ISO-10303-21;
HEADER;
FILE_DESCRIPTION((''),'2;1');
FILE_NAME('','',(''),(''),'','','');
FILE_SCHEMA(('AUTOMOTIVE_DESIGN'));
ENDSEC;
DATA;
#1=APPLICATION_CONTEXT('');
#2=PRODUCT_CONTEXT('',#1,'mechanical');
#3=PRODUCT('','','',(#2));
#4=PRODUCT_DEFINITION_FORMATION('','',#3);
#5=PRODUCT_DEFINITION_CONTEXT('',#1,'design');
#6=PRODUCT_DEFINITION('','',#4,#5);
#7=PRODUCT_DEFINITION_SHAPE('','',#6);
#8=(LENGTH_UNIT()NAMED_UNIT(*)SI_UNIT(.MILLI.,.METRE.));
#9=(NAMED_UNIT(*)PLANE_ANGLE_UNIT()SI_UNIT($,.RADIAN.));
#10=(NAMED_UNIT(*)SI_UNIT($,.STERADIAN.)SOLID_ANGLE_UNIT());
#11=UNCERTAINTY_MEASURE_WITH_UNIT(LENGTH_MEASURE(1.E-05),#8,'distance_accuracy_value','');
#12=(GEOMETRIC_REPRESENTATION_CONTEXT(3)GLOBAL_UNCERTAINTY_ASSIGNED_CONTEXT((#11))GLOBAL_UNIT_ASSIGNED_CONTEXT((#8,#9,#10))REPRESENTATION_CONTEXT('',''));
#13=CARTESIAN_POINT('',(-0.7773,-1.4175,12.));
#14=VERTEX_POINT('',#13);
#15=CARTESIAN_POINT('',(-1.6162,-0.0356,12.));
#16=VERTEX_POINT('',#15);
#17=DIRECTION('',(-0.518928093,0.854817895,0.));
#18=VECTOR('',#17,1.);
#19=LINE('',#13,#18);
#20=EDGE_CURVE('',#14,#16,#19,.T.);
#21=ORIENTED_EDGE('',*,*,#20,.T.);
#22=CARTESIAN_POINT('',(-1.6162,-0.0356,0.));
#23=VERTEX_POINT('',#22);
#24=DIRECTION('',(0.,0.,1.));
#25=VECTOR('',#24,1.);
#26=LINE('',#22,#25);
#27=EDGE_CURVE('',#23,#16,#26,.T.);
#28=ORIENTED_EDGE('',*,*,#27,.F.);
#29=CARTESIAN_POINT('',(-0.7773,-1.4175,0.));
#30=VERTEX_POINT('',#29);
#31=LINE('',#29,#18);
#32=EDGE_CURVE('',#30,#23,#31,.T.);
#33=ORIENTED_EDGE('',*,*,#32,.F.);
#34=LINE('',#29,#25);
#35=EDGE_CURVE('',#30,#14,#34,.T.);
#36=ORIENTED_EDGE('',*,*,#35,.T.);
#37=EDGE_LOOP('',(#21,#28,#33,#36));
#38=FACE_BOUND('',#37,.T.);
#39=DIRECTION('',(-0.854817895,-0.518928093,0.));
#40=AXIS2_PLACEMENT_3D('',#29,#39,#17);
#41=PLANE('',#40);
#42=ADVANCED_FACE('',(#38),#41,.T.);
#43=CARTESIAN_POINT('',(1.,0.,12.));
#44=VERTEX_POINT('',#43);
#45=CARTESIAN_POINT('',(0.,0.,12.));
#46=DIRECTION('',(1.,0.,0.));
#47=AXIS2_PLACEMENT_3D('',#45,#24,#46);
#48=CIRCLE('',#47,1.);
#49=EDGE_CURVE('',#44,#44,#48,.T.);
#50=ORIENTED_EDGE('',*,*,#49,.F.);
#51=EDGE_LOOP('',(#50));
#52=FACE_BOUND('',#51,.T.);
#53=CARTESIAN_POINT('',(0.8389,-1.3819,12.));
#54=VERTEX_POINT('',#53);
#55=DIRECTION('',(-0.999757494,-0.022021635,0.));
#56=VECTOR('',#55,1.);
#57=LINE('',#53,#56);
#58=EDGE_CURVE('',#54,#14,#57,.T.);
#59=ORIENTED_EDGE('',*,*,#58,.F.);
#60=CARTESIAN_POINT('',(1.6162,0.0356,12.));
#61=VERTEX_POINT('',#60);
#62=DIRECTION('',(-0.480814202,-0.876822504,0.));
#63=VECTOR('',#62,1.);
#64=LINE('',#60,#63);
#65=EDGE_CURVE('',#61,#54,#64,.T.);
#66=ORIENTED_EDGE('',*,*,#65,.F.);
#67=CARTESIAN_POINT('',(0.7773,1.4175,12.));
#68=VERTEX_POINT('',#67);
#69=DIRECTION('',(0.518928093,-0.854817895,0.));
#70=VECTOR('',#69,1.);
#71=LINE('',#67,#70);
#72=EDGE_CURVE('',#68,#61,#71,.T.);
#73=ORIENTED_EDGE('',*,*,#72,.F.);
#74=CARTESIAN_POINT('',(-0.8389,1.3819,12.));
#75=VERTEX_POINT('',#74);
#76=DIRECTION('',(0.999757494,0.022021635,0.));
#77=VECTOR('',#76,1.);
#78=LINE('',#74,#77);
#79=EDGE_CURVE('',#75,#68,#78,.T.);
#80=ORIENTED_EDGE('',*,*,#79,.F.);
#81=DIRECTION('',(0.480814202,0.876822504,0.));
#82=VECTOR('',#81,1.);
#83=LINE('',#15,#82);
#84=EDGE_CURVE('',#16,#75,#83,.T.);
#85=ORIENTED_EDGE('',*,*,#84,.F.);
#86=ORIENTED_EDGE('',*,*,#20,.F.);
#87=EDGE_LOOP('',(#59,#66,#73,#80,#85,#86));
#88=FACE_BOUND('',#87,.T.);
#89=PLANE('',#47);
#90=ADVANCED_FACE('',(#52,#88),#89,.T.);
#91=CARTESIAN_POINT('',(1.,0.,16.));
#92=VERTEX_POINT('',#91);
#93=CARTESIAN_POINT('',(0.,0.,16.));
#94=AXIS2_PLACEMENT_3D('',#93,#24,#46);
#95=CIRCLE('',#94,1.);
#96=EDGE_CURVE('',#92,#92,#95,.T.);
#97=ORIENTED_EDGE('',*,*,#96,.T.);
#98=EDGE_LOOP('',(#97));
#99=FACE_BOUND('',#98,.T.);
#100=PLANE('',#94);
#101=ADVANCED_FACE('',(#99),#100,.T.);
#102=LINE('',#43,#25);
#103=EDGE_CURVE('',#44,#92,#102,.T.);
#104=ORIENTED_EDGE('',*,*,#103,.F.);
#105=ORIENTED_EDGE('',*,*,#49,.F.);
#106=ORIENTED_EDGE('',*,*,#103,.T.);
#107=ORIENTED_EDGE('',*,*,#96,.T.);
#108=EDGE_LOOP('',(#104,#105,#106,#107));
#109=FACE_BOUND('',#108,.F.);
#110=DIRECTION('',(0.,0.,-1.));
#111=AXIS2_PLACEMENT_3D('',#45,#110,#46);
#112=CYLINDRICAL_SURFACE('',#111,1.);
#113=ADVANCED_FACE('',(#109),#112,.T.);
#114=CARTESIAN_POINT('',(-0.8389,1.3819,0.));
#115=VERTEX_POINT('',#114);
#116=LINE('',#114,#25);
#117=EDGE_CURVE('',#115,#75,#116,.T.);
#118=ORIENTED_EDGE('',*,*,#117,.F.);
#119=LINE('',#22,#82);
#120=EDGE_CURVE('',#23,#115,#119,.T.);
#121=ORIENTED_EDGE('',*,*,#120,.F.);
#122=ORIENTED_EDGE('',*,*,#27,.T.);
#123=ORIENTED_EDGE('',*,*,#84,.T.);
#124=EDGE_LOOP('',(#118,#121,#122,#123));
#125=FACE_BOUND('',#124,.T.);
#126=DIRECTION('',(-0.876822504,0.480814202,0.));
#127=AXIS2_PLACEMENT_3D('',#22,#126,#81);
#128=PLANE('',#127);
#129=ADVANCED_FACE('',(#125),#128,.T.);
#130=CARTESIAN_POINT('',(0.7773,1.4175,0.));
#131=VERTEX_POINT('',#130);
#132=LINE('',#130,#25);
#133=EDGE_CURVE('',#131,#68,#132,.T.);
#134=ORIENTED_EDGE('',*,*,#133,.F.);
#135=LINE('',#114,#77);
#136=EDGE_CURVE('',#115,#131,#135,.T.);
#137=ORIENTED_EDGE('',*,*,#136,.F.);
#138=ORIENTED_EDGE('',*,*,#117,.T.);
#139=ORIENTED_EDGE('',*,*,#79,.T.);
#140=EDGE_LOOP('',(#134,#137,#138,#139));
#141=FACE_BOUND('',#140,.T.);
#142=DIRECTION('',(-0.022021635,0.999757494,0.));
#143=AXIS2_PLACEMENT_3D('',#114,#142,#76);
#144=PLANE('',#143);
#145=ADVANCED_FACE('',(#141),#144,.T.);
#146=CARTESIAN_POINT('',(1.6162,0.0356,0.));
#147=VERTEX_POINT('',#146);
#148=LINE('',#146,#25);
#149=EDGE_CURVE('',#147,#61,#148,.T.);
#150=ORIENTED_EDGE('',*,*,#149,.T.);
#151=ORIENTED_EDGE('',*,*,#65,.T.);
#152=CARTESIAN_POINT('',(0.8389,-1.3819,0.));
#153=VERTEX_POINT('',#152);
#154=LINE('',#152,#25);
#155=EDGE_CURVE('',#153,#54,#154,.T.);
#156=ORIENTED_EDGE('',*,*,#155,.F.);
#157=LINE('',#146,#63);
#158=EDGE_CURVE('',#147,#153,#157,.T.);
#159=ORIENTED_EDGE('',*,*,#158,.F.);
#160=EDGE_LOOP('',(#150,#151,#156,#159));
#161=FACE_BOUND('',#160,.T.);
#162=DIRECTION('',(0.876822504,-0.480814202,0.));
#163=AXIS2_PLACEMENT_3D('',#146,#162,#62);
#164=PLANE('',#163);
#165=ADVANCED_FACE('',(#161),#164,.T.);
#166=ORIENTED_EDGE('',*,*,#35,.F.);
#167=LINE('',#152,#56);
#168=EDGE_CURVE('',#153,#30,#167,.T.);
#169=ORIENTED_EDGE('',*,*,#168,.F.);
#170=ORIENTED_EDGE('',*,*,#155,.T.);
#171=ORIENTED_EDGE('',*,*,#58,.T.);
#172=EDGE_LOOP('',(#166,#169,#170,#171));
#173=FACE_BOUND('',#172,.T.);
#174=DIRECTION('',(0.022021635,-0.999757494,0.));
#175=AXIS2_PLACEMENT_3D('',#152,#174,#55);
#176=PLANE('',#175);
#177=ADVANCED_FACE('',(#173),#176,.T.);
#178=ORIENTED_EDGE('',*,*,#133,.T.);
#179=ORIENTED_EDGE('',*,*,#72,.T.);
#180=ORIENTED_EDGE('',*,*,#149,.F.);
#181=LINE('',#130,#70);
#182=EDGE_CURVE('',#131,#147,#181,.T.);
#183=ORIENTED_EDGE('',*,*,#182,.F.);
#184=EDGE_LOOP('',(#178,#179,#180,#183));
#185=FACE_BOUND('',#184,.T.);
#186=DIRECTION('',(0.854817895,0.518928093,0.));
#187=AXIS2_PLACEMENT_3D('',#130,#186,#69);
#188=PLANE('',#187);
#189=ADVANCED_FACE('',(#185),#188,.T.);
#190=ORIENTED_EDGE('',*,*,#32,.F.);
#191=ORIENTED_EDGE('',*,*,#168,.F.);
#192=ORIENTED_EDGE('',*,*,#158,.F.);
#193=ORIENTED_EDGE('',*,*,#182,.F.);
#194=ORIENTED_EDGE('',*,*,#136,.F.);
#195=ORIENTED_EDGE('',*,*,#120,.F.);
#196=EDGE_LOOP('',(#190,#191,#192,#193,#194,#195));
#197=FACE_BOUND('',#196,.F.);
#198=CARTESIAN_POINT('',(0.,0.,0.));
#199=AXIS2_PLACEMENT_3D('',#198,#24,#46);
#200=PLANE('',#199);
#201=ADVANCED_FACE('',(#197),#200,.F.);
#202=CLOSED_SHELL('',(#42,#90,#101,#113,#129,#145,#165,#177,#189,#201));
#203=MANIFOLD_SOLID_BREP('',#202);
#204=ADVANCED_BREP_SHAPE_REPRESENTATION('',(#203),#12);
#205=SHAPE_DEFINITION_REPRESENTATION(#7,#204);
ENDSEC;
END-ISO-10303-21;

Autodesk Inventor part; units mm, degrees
ref_plane "YZ Plane" through (0, 0, 0) normal (1, 0, 0) x (0, 1, 0)
ref_plane "XZ Plane" through (0, 0, 0) normal (0, 1, 0) x (-1, 0, 0)
ref_plane "XY Plane" through (0, 0, 0) normal (0, 0, 1) x (1, 0, 0)
sketch "Sketch1" plane through (0, 0, 0) normal (0, 0, 1) x (1, 0, 0)
  line L0 (-0.8389, 1.3819) -> (0.7773, 1.4175)
  line L1 (0.7773, 1.4175) -> (1.6162, 0.0356)
  line L2 (1.6162, 0.0356) -> (0.8389, -1.3819)
  line L3 (0.8389, -1.3819) -> (-0.7773, -1.4175)
  line L4 (-0.7773, -1.4175) -> (-1.6162, -0.0356)
  line L5 (-1.6162, -0.0356) -> (-0.8389, 1.3819)
  point P0 (0, 0)
  point P1 (0, 0)
  dimension "d0" = 1.4
extrude "Extrusion1" add sketch "Sketch1" along normal blind 12
sketch "Sketch2" plane through (0, 0, 12) normal (0, 0, 1) x (1, 0, 0)
  circle A0 centre (0, 0) radius 1
  dimension "d3" = 2
extrude "Extrusion2" add sketch "Sketch2" along normal blind 4
properties part number "M2_12MM_spacer"
